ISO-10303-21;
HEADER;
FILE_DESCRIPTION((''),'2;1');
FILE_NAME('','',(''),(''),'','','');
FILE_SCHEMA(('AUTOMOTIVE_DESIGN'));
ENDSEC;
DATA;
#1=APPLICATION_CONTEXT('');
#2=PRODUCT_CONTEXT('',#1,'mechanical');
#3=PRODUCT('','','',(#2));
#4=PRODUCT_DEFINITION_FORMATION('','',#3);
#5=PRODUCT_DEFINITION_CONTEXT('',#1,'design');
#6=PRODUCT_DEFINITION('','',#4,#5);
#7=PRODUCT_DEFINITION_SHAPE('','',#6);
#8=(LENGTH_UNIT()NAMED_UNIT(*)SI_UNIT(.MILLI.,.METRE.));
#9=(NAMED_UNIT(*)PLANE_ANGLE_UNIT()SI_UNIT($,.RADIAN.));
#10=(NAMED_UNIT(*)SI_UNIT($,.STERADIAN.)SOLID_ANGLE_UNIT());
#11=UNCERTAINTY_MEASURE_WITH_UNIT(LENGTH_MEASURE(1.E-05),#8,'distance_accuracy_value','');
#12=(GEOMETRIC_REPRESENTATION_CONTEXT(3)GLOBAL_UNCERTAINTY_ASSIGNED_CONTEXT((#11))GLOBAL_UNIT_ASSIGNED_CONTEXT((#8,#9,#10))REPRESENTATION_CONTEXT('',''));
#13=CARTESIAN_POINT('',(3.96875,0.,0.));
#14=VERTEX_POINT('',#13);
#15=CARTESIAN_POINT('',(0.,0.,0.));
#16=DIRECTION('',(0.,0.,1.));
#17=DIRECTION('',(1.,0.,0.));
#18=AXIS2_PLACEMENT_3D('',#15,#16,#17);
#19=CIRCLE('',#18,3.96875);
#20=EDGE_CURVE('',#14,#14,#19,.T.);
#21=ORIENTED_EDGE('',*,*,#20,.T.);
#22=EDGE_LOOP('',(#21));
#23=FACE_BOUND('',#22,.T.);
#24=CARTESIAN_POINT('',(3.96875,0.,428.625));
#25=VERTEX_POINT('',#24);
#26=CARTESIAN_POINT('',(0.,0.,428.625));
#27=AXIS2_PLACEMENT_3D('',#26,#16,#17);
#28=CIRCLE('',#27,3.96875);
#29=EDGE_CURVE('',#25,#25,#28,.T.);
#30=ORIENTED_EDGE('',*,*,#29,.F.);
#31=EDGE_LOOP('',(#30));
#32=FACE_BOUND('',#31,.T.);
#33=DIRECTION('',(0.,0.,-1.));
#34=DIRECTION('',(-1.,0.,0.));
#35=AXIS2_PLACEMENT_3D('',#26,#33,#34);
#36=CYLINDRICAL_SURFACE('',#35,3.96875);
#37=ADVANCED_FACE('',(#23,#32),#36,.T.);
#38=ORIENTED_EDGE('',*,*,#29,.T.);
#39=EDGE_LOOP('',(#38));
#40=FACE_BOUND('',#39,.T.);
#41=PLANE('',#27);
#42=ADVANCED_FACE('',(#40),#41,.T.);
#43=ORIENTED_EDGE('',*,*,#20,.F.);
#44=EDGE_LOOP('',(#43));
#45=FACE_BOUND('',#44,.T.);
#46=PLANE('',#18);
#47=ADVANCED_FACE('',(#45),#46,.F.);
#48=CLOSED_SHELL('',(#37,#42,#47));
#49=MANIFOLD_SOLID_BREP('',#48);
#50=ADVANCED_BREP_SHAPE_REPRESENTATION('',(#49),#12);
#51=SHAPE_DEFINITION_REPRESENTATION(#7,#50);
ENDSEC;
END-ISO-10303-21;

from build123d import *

# Parameters (mm, degrees)
SKETCH1_R           = 3.96875
BOSS_EXTRUDE1_DEPTH = 428.625


with BuildPart() as part:
    # Sketch1 → Boss-Extrude1 (new body)
    with BuildSketch(Plane.XY):
        Circle(SKETCH1_R)
    extrude(amount=BOSS_EXTRUDE1_DEPTH)


solid = part.part
